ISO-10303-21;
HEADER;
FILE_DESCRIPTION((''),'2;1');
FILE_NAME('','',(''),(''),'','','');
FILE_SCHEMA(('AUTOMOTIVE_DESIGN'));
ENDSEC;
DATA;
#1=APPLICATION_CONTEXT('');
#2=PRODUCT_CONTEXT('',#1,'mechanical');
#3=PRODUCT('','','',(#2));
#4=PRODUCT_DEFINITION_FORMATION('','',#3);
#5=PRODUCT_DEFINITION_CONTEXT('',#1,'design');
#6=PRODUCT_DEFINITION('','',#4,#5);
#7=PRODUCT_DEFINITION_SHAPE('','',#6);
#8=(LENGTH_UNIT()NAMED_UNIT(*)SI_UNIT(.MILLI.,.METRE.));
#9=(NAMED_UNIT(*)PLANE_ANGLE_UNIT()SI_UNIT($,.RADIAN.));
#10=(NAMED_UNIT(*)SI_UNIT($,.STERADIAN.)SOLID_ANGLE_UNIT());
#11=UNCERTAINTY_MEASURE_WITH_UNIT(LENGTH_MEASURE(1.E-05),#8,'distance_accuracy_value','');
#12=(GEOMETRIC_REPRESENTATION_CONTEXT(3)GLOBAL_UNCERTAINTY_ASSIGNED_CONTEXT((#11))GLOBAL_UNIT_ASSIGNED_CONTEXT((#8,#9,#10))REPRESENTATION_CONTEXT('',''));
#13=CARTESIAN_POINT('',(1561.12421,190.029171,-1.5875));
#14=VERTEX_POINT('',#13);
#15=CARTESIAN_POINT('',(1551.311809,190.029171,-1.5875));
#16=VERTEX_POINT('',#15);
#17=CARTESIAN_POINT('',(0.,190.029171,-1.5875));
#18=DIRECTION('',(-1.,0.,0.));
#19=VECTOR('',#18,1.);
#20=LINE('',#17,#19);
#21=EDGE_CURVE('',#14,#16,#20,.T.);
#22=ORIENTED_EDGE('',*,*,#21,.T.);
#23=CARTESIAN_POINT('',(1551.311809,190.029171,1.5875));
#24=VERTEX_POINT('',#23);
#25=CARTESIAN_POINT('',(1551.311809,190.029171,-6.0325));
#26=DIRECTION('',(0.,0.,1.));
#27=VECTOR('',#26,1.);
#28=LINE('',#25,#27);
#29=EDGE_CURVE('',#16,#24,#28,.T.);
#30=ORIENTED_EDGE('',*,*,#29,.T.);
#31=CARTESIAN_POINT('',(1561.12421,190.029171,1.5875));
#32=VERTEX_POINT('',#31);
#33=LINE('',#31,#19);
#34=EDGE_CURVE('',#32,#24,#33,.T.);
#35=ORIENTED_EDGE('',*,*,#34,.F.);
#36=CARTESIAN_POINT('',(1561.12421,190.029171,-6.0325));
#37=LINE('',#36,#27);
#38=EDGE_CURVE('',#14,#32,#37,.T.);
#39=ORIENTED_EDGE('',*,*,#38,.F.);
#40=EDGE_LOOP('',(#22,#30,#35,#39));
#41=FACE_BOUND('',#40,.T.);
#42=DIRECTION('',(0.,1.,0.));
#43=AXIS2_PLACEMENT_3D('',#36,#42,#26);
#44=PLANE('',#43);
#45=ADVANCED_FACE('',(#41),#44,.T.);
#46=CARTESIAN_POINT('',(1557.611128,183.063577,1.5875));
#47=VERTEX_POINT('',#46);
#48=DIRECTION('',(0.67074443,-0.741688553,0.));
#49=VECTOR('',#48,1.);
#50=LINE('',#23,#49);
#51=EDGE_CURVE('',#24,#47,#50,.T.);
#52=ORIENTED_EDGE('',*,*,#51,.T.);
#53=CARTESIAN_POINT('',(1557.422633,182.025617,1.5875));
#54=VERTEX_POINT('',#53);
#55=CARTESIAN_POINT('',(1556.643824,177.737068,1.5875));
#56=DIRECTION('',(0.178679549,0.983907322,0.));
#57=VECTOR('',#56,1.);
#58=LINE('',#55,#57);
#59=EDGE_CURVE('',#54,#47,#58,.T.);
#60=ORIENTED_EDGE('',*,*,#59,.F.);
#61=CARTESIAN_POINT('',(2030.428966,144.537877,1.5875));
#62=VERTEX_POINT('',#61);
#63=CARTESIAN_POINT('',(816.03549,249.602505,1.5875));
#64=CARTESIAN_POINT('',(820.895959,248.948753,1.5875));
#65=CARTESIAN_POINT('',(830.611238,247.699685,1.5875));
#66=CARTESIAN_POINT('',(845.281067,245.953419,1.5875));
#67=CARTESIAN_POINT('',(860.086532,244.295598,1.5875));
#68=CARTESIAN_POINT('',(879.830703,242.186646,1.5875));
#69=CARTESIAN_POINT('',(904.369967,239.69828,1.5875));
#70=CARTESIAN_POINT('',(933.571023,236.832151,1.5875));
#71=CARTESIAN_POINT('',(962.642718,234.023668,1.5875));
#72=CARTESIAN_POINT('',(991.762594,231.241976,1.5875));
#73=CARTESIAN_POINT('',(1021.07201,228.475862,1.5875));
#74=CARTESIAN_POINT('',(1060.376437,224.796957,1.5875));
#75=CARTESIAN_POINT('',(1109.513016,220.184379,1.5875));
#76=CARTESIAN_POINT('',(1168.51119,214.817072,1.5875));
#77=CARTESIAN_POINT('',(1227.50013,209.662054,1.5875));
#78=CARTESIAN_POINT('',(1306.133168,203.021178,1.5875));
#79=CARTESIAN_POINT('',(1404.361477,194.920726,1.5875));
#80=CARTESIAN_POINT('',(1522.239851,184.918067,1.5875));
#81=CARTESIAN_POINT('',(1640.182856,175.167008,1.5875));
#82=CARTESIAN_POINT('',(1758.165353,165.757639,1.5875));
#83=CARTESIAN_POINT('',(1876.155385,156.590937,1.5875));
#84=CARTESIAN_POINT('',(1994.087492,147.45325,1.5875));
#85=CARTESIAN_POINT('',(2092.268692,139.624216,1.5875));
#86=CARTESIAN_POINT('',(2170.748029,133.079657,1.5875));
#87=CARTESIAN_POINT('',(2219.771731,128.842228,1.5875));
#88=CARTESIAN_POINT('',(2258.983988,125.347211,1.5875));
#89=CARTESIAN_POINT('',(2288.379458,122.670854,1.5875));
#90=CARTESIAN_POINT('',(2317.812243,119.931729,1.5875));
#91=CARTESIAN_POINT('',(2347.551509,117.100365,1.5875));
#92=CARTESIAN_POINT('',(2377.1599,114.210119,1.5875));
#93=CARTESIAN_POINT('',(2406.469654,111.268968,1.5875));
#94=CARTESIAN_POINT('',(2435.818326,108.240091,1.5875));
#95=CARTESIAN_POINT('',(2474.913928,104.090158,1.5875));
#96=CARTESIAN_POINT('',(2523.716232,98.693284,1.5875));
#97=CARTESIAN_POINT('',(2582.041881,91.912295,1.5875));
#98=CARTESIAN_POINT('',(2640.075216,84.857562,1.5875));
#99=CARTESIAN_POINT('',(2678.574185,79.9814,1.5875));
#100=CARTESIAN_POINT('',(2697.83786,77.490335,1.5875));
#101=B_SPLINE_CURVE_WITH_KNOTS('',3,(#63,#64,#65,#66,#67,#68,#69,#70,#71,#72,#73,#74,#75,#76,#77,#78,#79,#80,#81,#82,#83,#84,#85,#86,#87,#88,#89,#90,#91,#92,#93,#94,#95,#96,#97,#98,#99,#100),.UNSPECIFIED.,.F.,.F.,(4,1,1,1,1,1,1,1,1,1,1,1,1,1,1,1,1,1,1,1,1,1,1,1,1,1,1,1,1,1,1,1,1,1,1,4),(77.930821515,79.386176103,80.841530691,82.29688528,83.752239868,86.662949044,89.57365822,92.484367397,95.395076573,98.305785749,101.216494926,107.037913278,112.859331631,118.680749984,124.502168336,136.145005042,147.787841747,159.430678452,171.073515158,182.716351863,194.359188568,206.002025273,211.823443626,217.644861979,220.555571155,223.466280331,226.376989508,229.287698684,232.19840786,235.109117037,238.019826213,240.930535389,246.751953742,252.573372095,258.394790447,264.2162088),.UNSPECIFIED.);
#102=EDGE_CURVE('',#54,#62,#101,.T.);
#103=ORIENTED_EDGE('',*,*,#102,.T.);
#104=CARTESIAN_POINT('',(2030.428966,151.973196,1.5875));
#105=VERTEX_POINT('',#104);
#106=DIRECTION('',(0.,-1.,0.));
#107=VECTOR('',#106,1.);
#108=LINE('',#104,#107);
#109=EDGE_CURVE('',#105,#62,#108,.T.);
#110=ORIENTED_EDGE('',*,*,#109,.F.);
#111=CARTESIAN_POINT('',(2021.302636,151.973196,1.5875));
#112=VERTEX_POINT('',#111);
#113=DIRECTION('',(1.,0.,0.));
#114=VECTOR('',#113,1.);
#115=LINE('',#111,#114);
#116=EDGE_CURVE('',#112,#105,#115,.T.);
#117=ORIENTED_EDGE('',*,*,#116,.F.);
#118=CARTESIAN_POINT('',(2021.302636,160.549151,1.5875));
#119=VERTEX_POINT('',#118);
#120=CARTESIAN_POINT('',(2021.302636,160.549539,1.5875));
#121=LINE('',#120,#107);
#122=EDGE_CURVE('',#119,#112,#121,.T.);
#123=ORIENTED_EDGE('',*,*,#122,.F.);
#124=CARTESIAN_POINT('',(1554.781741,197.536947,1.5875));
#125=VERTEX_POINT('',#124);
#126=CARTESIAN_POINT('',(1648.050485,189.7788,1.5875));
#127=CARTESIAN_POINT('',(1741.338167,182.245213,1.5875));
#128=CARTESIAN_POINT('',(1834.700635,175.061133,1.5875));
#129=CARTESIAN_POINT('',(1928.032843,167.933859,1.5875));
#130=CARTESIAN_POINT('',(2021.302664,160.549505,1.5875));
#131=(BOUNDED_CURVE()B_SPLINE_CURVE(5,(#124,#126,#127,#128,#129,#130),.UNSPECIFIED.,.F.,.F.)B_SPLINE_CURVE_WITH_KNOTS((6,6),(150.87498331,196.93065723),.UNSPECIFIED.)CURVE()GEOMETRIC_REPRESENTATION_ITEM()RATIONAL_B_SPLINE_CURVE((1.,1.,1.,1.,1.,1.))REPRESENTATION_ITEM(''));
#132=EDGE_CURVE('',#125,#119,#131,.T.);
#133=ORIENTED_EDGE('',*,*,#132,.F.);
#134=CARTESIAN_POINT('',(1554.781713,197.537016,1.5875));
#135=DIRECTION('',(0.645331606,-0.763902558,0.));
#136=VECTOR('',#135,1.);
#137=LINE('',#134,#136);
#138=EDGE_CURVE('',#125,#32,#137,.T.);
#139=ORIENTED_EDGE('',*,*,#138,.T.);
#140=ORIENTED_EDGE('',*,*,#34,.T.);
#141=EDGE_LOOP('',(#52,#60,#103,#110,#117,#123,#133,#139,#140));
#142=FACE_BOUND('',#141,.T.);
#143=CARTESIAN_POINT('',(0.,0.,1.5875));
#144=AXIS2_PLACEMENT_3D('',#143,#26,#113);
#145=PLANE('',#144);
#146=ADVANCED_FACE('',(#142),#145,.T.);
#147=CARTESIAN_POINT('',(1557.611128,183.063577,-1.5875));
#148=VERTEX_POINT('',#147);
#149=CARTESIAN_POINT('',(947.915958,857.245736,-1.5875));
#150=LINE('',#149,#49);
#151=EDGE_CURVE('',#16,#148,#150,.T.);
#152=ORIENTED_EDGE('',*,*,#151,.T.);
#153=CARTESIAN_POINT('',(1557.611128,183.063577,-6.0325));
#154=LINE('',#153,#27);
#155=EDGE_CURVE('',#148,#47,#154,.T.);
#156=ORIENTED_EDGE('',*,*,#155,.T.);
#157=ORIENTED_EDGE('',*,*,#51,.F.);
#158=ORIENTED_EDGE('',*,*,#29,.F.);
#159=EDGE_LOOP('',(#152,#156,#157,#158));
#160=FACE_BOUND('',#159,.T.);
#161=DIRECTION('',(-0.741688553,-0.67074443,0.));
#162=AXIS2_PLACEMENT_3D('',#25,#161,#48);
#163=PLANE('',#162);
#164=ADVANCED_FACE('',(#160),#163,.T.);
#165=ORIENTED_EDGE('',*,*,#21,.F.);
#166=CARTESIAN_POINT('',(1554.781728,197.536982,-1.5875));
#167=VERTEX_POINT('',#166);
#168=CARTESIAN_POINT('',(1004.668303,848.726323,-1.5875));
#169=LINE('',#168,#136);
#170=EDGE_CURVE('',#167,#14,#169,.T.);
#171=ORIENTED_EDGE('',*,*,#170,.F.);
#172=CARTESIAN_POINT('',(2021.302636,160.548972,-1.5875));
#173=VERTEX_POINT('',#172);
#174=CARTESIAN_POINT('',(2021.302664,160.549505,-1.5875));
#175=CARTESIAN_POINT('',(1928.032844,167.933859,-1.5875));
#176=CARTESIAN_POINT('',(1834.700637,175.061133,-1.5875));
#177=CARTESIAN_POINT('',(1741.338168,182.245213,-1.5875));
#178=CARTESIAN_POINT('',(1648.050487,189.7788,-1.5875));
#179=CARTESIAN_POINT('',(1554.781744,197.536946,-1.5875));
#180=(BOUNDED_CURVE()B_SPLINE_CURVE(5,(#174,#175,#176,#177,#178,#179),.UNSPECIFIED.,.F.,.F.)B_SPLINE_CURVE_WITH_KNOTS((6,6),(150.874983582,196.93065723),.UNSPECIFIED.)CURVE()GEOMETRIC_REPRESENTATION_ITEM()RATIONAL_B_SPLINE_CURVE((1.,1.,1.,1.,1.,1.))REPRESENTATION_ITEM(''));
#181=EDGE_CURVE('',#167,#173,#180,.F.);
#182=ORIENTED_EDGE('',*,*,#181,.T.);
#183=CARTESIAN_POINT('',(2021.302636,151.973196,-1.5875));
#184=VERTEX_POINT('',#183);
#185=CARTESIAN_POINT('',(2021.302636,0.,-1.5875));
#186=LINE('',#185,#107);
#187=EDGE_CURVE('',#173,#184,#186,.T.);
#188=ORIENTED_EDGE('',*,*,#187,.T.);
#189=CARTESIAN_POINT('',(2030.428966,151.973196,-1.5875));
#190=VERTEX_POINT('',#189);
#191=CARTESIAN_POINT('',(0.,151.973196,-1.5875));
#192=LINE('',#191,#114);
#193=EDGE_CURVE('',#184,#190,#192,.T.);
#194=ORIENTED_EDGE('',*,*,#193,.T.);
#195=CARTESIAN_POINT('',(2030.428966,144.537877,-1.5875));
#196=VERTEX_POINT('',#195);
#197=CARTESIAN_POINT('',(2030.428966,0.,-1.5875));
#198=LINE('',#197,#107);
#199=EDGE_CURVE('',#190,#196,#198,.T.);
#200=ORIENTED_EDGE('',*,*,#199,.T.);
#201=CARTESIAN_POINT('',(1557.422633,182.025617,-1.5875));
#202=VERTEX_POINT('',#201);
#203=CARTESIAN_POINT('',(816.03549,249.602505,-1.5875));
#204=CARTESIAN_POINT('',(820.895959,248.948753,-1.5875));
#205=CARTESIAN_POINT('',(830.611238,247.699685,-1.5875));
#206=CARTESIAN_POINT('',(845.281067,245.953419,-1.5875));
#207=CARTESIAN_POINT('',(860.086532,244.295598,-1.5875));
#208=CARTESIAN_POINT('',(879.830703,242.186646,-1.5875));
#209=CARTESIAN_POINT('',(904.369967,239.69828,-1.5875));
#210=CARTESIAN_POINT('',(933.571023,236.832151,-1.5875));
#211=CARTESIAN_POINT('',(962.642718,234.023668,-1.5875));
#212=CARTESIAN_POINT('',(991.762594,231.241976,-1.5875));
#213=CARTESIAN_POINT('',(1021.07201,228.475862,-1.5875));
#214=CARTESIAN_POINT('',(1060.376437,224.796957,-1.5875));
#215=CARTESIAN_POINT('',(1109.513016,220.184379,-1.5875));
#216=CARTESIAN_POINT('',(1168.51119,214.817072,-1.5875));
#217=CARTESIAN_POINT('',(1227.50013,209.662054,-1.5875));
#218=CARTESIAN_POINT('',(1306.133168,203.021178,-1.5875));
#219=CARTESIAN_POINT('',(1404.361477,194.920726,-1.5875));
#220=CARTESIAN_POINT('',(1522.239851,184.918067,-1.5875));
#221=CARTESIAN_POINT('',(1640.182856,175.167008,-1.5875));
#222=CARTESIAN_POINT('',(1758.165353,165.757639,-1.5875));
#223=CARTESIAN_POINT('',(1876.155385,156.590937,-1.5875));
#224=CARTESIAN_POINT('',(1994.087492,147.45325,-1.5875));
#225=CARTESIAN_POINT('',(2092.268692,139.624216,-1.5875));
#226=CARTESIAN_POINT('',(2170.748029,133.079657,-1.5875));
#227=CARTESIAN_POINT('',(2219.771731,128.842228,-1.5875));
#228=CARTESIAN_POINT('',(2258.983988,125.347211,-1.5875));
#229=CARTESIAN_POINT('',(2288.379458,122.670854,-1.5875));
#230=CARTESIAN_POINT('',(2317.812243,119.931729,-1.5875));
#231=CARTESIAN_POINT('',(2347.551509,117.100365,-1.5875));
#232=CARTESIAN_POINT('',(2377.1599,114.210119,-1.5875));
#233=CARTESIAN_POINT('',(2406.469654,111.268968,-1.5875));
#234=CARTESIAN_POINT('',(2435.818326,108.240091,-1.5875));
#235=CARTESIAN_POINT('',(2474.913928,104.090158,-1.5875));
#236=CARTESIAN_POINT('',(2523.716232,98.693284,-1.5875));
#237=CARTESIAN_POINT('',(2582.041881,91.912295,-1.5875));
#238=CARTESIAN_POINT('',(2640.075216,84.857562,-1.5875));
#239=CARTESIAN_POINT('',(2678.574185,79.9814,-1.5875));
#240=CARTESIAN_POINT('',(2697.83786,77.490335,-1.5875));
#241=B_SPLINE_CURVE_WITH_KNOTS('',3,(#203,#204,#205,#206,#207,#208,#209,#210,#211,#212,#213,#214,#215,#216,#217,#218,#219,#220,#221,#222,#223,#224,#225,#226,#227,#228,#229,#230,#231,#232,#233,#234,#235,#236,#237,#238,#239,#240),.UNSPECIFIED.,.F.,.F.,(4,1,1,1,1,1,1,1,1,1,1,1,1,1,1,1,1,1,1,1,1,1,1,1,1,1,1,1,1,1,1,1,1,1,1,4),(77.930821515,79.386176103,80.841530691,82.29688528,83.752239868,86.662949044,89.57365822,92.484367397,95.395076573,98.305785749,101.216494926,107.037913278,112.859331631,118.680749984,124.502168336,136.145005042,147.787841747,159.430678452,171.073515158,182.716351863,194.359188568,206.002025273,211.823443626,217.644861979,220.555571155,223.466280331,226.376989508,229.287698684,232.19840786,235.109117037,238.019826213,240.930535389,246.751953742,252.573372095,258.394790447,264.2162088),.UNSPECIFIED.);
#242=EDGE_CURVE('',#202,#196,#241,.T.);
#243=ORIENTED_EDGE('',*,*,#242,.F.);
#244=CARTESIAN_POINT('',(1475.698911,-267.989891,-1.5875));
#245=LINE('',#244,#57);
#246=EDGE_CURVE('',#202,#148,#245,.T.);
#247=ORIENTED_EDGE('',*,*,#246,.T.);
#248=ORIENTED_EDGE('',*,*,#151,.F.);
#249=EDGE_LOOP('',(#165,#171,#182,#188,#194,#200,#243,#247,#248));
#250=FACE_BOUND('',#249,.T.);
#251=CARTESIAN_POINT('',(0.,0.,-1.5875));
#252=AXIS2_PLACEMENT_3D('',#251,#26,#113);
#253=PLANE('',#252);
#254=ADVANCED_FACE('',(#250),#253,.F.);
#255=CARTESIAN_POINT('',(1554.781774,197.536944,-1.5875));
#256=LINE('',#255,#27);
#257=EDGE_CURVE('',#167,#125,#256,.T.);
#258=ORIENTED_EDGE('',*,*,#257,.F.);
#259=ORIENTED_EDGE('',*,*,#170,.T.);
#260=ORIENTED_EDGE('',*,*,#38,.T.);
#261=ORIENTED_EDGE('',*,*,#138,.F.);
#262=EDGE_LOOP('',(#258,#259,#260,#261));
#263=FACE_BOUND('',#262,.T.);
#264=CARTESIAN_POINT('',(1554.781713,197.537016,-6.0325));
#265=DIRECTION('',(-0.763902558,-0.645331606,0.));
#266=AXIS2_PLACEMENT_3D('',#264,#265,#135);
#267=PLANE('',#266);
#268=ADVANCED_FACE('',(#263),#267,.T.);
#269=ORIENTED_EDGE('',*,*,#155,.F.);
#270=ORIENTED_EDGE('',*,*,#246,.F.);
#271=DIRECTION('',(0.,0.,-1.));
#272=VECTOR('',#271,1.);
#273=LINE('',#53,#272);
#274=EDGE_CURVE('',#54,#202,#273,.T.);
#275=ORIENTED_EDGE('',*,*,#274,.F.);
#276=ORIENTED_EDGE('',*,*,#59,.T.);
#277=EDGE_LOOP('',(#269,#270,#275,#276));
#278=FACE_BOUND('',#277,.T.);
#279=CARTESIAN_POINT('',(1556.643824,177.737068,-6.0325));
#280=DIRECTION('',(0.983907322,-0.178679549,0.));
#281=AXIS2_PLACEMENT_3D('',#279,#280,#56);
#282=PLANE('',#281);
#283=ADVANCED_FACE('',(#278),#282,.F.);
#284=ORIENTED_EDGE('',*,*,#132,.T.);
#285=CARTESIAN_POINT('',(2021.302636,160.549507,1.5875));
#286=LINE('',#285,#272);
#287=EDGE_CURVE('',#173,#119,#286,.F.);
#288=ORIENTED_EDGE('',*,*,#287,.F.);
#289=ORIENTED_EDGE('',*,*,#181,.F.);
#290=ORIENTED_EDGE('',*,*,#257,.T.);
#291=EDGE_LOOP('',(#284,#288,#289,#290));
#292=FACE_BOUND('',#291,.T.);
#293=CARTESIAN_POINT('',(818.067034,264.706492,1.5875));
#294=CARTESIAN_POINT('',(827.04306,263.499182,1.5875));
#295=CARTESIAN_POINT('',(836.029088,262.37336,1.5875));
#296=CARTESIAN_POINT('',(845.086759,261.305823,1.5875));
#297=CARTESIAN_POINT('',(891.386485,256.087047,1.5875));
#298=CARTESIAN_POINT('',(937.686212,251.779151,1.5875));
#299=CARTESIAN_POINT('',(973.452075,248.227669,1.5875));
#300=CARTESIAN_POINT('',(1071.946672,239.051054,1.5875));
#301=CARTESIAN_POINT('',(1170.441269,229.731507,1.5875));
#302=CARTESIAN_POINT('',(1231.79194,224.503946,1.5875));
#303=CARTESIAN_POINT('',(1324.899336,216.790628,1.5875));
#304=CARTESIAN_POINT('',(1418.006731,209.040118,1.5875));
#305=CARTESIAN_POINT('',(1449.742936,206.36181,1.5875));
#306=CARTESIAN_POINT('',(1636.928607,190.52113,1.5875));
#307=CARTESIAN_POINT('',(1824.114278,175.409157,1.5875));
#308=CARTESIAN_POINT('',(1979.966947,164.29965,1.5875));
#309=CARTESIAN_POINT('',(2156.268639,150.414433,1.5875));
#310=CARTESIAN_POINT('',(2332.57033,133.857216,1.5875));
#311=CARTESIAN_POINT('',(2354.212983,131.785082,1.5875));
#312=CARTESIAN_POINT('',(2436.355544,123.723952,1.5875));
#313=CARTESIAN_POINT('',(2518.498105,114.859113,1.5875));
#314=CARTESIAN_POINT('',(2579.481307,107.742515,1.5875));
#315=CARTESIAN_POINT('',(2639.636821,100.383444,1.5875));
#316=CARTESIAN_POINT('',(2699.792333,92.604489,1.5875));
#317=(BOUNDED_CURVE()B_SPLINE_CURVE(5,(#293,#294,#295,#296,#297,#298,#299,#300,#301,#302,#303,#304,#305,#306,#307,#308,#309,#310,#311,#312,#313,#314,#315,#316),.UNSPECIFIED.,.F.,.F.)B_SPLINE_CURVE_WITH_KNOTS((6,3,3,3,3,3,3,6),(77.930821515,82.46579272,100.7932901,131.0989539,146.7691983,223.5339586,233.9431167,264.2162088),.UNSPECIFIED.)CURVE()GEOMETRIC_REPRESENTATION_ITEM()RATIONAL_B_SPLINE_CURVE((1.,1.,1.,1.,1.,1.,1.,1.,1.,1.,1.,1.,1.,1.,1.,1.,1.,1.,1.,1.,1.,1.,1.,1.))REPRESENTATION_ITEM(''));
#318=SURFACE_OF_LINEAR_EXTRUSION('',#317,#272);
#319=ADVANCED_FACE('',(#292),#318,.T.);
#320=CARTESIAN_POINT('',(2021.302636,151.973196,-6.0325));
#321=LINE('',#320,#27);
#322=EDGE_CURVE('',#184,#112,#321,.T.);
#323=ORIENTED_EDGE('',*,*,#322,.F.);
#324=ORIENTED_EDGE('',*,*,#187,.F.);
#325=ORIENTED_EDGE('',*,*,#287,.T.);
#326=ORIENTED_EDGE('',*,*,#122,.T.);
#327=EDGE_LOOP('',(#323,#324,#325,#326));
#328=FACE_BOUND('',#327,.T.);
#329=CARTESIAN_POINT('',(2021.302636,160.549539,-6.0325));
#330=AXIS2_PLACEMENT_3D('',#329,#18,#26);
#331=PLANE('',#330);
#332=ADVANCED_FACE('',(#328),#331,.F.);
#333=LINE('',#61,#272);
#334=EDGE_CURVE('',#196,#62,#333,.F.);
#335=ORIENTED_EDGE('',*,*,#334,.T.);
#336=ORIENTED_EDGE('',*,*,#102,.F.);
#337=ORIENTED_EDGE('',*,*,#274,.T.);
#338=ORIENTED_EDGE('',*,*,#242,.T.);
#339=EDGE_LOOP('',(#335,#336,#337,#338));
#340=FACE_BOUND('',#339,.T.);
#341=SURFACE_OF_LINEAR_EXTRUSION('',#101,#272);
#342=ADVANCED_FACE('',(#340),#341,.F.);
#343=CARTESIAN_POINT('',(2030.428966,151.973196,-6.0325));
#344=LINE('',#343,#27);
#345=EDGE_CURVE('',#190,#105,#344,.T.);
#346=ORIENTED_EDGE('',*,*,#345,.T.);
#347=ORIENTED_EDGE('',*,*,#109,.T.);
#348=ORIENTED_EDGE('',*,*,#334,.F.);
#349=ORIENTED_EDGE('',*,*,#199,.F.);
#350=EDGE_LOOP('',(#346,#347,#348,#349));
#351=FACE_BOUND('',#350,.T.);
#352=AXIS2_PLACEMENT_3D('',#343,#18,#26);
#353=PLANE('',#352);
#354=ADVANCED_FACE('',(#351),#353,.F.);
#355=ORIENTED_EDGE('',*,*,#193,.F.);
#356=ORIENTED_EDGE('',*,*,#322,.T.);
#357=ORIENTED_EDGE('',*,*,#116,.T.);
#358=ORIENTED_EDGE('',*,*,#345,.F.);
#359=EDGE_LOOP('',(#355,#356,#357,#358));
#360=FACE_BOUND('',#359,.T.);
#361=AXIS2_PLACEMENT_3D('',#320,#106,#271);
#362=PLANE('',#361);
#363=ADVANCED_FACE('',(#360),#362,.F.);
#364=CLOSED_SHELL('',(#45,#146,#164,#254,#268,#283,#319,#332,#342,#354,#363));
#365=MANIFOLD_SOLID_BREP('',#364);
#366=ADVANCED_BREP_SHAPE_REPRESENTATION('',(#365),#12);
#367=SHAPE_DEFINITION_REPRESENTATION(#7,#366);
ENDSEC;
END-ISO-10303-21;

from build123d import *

# Parameters (mm, degrees)
BOSS_EXTRUDE1_DEPTH = 1.5875
FILLET1_R           = 2.54
CUT_EXTRUDE1_DEPTH  = 7.62


with BuildPart() as part:
    # Sketch2 → Boss-Extrude1 (new body, symmetric)
    with BuildSketch(Plane.XY):
        with BuildLine():
            add(Edge.make_bspline(
                [(825.5, 263.72872798), (833.004293944, 262.763036085), (840.535916247, 261.846014478), (848.126574562, 260.964164828), (892.90639318, 255.945629274), (937.686211733, 251.779150949), (973.452075064, 248.227669425), (1071.946672141, 239.051054038), (1170.441269319, 229.731506738), (1231.791940344, 224.503945813), (1324.899336146, 216.790627817), (1418.006730935, 209.040117978), (1449.742935921, 206.361809936), (1636.928606778, 190.521130342), (1824.114277635, 175.409157235), (1979.966947376, 164.299650253), (2156.268639429, 150.414433314), (2332.570330468, 133.857216402), (2354.212983157, 131.78508222), (2394.341467798, 127.847039259), (2434.469952439, 123.717187755), (2453.57670361, 121.704562273), (2472.669581058, 119.647220503), (2491.74, 117.547195763)],
                knots=[78.681340958, 78.681340958, 78.681340958, 78.681340958, 78.681340958, 78.681340958, 82.46579272, 82.46579272, 82.46579272, 100.7932901, 100.7932901, 100.7932901, 131.0989539, 131.0989539, 131.0989539, 146.7691983, 146.7691983, 146.7691983, 223.5339586, 223.5339586, 223.5339586, 233.9431167, 233.9431167, 233.9431167, 243.40815085, 243.40815085, 243.40815085, 243.40815085, 243.40815085, 243.40815085], degree=5))
            Line((825.5, 263.72872798), (825.5, 248.364439806))
            add(Edge.make_bspline(
                [(825.5, 248.364439806), (827.20768691, 248.14708351), (833.784664511, 247.321927102), (845.28106727, 245.953419483), (860.086531547, 244.295598067), (879.830703434, 242.186646028), (904.369967092, 239.698279806), (933.571022669, 236.832150625), (962.642718041, 234.023667741), (991.762593943, 231.241975908), (1021.072010315, 228.475862291), (1060.376437315, 224.796956681), (1109.513015577, 220.184378862), (1168.511190361, 214.817071985), (1227.500129793, 209.662054042), (1306.133167947, 203.021178328), (1404.361477105, 194.920725932), (1522.239851071, 184.918066624), (1640.182856491, 175.167007786), (1758.165352567, 165.757639485), (1876.155384769, 156.590937079), (1994.08749188, 147.453250142), (2092.268692061, 139.624216053), (2170.748029042, 133.079656729), (2219.771730977, 128.842227836), (2258.983988247, 125.347211495), (2288.379457536, 122.670854497), (2317.812243116, 119.931729386), (2347.551509172, 117.100365283), (2377.159899727, 114.21011853), (2406.469653851, 111.26896801), (2435.81832606, 108.240091266), (2464.242715806, 105.222889554), (2482.876892709, 103.192325927), (2491.74, 102.214848055)],
                knots=[78.875303138, 78.875303138, 78.875303138, 78.875303138, 79.386176103, 80.841530691, 82.29688528, 83.752239868, 86.662949044, 89.57365822, 92.484367397, 95.395076573, 98.305785749, 101.216494926, 107.037913278, 112.859331631, 118.680749984, 124.502168336, 136.145005042, 147.787841747, 159.430678452, 171.073515158, 182.716351863, 194.359188568, 206.002025273, 211.823443626, 217.644861979, 220.555571155, 223.466280331, 226.376989508, 229.287698684, 232.19840786, 235.109117037, 238.019826213, 240.930535389, 243.57402126, 243.57402126, 243.57402126, 243.57402126], degree=3))
            Line((2491.74, 102.214848055), (2491.74, 117.547195763))
        make_face()
    extrude(amount=BOSS_EXTRUDE1_DEPTH, both=True)

    # Fillet1
    fillet1_edges = [part.edges().sort_by_distance(p)[0] for p in [
        (2491.74, 102.214848055, -0.79375),
        (2491.74, 117.547195763, -0.79375),
        (825.5, 248.364439806, -0.79375),
        (825.5, 263.72872798, 0.79375),
    ]]
    fillet(fillet1_edges, radius=FILLET1_R)

    # Sketch3 → Cut-Extrude1 (cut)
    with BuildSketch(Plane.XY.offset(1.5875)):
        Polygon((1554.781712943, 197.53701635), (1554.781712943, 212.261982037), (810.451845726, 281.004031423), (810.451845726, 218.449722533), (1556.643823708, 177.737068235), (1557.611128436, 183.063577113), (1551.311808982, 190.02917074), (1561.124210439, 190.02917074), align=None)
        Polygon((2021.302635877, 160.549539386), (2021.302635877, 151.973195802), (2030.428965883, 151.973195802), (2030.428965883, 144.537877355), (2030.428965883, 141.701918937), (2503.989680451, 84.628223704), (2503.989680451, 125.393497308), (2021.302635877, 169.971712045), align=None)
    extrude(amount=-CUT_EXTRUDE1_DEPTH, mode=Mode.SUBTRACT)


solid = part.part
